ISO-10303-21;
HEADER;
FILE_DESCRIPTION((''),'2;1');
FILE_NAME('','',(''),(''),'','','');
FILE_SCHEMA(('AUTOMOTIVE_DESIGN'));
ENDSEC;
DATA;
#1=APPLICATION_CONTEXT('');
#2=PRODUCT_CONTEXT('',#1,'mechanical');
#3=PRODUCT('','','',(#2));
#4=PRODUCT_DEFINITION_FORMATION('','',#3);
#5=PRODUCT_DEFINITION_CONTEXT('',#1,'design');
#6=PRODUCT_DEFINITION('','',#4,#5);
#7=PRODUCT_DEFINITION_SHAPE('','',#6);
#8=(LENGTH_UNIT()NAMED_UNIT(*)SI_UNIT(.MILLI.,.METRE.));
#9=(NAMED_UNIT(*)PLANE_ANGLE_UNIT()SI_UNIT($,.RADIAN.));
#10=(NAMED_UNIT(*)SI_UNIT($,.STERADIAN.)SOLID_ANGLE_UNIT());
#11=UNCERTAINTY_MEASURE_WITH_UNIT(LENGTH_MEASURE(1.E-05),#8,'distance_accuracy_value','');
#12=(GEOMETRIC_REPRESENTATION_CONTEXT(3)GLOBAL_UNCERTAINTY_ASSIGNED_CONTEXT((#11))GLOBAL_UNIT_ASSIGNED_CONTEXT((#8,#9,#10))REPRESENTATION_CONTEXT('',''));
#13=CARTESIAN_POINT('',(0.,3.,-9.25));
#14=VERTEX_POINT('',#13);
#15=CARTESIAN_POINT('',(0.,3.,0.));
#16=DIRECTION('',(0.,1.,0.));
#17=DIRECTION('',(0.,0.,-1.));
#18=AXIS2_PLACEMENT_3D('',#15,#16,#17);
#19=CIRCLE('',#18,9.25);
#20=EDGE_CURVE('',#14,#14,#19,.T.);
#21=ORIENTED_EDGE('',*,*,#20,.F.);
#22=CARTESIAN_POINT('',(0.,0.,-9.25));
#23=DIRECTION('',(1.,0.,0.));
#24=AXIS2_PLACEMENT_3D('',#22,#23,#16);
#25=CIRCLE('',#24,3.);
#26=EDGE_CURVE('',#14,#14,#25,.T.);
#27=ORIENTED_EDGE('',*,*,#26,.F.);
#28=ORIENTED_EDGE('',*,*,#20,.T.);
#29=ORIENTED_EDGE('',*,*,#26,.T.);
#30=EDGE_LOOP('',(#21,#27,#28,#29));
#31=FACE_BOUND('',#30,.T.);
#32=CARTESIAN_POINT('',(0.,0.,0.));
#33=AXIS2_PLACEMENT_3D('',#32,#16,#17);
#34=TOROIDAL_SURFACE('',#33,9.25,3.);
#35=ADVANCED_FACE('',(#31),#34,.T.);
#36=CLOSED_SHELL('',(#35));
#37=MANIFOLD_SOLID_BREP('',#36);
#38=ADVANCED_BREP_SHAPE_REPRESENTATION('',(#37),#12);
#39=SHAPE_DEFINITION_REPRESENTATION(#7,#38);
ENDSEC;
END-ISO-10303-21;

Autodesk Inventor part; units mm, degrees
ref_plane "YZ Plane" through (0, 0, 0) normal (1, 0, 0) x (0, 1, 0)
ref_plane "XZ Plane" through (0, 0, 0) normal (0, 1, 0) x (-1, 0, 0)
ref_plane "XY Plane" through (0, 0, 0) normal (0, 0, 1) x (1, 0, 0)
sketch "Sketch1" plane through (0, 0, 0) normal (1, 0, 0) x (0, 1, 0)
  line L0 (0, -14.7) -> (0, 2.45) construction
  line L1 (-4.2, 0) -> (4.2, 0) construction
  circle A0 centre (0, -9.25) radius 3
  point P0 (0, 0)
  dimension "d0" = 6
  dimension "d2" = 9.25
revolve "Revolution1" add sketch "Sketch1" angle 360 about axis through (0, -10, 0) along (0, 1, 0)
properties part number "ToeSilikoneRubber"
